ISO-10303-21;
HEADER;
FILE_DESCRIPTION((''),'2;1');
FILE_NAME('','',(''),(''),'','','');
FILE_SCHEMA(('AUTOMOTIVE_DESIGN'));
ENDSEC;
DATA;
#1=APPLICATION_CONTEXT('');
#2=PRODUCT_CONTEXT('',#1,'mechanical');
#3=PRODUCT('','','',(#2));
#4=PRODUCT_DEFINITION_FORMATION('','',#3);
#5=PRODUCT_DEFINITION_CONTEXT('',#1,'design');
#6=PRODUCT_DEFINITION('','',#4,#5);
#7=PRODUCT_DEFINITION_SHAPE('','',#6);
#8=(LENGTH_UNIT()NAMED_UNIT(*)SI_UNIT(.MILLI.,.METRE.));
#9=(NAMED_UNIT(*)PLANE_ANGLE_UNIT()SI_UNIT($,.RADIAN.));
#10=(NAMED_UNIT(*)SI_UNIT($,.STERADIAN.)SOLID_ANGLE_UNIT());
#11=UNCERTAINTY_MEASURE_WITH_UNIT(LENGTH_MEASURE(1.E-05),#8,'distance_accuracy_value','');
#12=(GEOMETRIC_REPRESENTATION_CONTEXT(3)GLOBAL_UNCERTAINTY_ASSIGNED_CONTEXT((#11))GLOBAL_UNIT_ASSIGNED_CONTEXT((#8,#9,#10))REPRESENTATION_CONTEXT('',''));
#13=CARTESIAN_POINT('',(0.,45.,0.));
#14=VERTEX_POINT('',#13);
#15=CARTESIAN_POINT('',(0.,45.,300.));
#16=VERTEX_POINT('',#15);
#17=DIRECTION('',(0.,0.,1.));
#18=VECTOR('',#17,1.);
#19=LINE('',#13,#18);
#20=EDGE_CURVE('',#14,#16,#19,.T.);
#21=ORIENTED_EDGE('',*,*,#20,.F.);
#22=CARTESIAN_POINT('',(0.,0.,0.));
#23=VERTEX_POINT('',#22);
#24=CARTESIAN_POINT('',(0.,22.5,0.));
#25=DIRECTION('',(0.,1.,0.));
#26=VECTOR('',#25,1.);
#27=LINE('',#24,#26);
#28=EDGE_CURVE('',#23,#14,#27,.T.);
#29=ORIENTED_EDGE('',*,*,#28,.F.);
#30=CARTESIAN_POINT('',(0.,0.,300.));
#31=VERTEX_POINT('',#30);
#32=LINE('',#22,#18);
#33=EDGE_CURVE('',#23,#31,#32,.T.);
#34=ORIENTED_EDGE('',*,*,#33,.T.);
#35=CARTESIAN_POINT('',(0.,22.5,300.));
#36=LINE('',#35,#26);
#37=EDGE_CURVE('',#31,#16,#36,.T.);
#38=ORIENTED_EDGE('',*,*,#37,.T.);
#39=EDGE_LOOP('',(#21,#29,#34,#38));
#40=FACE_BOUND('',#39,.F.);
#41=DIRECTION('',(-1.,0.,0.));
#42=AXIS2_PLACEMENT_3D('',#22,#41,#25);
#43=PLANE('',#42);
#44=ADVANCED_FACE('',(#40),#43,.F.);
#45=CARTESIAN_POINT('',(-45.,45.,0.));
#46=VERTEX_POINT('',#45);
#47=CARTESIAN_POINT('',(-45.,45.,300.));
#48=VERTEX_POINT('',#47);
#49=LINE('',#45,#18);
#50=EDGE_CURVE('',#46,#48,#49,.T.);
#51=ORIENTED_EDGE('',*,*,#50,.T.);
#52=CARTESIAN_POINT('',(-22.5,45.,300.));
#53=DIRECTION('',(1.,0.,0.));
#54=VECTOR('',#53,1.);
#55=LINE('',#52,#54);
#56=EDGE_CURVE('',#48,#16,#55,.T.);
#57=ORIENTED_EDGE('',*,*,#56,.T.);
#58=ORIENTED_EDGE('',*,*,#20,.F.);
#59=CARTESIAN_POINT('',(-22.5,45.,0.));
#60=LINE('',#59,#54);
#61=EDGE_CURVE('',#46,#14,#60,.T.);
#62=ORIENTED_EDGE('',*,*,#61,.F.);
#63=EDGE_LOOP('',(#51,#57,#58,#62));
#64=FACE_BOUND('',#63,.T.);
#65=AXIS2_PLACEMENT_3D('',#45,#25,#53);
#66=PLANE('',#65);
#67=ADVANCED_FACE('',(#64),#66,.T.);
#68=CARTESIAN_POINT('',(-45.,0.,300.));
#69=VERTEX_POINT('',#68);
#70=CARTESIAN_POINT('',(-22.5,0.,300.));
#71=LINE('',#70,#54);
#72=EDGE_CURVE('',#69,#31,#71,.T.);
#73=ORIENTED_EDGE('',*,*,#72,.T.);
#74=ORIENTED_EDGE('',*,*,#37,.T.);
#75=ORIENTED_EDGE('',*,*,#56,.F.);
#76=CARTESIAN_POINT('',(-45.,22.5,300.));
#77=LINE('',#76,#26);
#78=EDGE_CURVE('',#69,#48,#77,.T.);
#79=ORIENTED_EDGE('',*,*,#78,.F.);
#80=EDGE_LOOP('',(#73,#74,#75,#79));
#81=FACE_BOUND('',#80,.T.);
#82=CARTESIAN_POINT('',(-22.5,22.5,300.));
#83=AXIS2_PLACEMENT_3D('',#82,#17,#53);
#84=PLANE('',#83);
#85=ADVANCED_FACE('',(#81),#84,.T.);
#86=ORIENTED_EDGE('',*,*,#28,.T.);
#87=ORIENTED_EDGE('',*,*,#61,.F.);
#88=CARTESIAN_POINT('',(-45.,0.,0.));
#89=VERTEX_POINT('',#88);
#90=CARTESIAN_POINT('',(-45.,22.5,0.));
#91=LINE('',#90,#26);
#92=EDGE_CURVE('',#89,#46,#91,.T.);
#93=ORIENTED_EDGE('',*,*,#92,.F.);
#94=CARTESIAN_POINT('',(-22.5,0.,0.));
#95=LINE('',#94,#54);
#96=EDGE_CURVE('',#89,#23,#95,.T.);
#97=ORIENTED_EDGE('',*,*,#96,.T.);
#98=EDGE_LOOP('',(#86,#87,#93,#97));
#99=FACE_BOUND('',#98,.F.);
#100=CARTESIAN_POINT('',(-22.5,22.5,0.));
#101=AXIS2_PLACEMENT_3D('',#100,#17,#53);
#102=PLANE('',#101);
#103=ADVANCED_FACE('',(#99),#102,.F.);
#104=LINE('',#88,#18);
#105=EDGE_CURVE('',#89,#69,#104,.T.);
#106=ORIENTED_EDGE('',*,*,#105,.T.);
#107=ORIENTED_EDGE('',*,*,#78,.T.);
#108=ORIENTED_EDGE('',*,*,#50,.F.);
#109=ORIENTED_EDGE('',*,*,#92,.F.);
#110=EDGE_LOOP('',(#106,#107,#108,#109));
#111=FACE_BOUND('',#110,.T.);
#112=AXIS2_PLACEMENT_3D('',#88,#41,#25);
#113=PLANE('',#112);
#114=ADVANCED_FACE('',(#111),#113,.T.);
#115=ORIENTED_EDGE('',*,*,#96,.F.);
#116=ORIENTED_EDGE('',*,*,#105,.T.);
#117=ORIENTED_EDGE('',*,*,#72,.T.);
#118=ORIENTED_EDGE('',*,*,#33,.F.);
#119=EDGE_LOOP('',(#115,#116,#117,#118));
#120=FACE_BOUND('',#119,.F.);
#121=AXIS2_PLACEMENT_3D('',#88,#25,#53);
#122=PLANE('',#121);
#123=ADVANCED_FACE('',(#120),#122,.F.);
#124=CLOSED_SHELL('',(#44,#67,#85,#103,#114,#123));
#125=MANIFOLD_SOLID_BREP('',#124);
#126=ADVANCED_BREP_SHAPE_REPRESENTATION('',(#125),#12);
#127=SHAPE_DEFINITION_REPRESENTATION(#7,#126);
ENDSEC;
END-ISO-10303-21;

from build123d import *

# Parameters (mm, degrees)
SKETCH_W  = 45
SKETCH_H  = 45
PAD_DEPTH = 300


with BuildPart() as part:
    # Sketch → Pad (new body)
    with BuildSketch(Plane.XY):
        with Locations((-22.5, 22.5)):
            Rectangle(SKETCH_W, SKETCH_H)
    extrude(amount=PAD_DEPTH)


solid = part.part
